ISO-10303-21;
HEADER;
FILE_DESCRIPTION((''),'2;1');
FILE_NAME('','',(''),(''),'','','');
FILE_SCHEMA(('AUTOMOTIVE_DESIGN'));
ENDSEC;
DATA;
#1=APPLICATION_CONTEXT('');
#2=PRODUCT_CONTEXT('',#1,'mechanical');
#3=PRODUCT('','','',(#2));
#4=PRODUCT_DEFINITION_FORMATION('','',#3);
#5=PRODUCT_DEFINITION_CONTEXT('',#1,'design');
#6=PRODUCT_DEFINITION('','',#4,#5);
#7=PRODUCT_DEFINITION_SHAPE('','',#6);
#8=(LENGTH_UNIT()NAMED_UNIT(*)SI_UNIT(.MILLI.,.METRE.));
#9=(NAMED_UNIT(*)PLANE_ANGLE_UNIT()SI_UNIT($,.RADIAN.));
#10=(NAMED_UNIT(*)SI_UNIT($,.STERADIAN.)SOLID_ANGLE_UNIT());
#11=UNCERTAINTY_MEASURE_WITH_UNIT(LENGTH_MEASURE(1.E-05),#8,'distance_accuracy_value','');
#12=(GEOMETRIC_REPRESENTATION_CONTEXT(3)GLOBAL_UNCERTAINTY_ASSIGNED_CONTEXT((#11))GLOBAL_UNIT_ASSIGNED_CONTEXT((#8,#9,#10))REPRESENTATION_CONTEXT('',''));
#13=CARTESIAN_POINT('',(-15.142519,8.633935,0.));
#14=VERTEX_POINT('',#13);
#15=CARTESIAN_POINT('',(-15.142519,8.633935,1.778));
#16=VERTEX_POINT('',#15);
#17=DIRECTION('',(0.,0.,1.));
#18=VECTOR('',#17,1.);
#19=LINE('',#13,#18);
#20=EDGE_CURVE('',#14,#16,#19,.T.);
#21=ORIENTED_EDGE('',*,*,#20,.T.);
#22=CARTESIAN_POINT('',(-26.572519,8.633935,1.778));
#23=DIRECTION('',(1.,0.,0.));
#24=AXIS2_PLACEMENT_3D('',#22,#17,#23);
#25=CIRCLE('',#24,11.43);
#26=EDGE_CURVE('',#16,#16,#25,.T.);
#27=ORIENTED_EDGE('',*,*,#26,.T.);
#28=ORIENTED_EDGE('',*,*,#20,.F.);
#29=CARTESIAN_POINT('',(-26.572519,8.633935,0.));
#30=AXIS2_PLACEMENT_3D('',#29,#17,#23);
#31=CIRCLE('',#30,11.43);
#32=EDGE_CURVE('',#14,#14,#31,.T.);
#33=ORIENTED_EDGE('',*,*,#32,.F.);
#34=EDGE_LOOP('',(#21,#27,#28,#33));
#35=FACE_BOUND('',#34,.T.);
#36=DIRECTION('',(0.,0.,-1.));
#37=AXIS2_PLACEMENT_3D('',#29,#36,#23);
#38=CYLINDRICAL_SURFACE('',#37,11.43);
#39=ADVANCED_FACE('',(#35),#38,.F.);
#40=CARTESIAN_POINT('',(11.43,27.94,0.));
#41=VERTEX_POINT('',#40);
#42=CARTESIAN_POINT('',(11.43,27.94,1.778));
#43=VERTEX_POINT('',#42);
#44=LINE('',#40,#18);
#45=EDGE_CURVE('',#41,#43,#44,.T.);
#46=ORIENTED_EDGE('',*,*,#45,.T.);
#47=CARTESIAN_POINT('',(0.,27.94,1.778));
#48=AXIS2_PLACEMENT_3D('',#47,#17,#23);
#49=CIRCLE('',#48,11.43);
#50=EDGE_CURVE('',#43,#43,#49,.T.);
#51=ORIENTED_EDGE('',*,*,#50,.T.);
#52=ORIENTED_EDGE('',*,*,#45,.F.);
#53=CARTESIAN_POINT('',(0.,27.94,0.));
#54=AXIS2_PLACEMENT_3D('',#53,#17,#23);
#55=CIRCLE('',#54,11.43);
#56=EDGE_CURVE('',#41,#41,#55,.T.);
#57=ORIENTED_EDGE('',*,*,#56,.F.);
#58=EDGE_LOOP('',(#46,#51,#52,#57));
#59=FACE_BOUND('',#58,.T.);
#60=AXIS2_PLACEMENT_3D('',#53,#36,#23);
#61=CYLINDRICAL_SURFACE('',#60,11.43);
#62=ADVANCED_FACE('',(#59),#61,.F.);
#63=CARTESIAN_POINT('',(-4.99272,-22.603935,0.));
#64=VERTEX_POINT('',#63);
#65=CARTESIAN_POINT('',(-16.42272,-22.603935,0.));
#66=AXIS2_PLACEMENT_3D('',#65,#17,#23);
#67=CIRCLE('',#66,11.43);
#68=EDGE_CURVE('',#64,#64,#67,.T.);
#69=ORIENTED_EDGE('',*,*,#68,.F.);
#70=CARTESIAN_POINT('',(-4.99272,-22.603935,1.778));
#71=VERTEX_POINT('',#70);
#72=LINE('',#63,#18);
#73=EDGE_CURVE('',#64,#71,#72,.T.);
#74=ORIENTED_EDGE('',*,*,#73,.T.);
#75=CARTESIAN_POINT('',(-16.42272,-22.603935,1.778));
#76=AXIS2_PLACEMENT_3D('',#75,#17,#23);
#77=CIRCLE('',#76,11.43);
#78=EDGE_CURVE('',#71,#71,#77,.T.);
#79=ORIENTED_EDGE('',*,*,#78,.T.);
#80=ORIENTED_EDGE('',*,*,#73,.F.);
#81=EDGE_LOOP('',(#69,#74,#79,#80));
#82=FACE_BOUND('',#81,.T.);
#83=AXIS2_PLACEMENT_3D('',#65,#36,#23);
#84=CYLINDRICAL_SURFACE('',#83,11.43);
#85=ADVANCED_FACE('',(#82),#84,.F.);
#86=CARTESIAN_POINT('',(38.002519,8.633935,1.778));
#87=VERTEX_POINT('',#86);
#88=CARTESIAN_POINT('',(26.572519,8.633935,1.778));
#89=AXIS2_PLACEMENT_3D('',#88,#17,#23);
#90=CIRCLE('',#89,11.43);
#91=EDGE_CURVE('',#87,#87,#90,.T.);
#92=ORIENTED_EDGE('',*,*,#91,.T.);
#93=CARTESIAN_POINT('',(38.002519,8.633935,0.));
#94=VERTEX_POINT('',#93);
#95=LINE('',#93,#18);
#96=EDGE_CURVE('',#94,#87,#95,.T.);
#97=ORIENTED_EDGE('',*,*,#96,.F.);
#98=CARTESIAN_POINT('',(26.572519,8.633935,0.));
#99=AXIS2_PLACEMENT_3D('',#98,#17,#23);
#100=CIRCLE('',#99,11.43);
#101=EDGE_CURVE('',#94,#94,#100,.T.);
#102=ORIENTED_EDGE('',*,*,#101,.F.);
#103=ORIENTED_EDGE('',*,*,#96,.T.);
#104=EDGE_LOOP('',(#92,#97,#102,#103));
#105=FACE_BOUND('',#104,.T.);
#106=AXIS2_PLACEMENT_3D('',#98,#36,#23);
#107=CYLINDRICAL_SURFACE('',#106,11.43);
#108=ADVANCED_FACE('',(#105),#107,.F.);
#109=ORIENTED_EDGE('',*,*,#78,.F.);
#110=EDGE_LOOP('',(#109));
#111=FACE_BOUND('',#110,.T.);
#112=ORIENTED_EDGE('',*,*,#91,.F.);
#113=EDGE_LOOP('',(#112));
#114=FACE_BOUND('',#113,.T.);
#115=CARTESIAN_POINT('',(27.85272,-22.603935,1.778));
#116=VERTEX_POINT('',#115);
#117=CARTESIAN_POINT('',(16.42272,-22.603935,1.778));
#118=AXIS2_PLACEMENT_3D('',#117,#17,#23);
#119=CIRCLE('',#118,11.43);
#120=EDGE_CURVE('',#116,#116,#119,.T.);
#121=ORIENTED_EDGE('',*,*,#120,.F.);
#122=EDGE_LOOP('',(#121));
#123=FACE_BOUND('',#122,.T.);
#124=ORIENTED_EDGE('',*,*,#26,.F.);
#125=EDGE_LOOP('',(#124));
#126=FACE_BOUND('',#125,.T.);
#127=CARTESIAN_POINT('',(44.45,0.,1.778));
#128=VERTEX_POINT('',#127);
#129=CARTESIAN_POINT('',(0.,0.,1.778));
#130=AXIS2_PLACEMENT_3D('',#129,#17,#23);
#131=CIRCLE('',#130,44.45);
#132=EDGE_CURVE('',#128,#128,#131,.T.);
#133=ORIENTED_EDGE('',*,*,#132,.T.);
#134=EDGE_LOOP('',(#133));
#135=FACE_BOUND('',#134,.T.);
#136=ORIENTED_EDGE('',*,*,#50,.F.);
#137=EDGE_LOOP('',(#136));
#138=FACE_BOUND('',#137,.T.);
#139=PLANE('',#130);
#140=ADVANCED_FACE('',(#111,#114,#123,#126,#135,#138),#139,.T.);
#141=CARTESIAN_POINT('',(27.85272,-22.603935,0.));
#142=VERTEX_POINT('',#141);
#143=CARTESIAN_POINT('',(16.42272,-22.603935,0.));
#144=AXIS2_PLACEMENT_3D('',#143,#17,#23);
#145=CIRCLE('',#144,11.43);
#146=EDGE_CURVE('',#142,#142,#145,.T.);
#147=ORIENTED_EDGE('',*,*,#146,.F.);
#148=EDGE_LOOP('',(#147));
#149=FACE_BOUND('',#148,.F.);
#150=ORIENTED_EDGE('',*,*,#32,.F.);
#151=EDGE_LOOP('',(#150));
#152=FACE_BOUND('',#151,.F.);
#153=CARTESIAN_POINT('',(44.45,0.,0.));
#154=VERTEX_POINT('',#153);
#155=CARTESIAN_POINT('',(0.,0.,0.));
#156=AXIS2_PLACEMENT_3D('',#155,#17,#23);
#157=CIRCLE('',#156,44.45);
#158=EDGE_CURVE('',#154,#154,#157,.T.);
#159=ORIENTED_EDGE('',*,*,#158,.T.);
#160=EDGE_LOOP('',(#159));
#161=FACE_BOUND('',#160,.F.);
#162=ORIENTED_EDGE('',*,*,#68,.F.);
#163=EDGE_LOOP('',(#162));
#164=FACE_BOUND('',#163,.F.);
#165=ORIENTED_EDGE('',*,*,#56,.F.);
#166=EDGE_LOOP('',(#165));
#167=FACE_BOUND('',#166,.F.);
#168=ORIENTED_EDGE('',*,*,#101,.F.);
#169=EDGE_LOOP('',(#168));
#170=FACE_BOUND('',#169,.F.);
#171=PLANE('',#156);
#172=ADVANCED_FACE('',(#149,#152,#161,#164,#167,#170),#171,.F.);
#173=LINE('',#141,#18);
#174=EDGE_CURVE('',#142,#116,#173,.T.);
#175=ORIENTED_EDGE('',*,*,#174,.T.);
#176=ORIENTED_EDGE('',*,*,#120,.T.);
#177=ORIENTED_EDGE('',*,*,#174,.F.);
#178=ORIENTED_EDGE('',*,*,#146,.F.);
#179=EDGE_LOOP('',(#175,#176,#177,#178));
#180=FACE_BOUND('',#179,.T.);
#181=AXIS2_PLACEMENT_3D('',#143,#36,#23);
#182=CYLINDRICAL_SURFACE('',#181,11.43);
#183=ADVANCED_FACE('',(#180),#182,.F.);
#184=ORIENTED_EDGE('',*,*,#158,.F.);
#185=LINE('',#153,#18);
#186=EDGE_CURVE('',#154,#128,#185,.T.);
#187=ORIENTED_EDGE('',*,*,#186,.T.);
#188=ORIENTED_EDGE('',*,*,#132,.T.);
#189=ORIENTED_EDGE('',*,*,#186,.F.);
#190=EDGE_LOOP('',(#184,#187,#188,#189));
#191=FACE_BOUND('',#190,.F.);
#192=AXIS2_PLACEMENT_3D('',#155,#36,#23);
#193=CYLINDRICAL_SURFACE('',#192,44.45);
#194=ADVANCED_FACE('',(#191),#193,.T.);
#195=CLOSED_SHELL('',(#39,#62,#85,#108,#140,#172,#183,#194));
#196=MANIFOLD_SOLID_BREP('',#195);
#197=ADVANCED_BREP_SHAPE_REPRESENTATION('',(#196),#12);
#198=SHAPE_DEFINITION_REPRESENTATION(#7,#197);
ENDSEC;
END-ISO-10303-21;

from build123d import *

# Parameters (mm, degrees)
F0_R     = 44.45
F0_R_2   = 11.43
F1_DEPTH = 1.778


with BuildPart() as f1:
    # F0 (on Top) → F1 (new body)
    with BuildSketch(Plane.XY):
        Circle(F0_R)
        with Locations((-16.42272, -22.603935)):
            Circle(F0_R_2, mode=Mode.SUBTRACT)
        with Locations((16.42272, -22.603935)):
            Circle(F0_R_2, mode=Mode.SUBTRACT)
        with Locations((-26.572519, 8.633935)):
            Circle(F0_R_2, mode=Mode.SUBTRACT)
        with Locations((26.572519, 8.633935)):
            Circle(F0_R_2, mode=Mode.SUBTRACT)
        with Locations((0, 27.94)):
            Circle(F0_R_2, mode=Mode.SUBTRACT)
    extrude(amount=F1_DEPTH)


solid = f1.part
